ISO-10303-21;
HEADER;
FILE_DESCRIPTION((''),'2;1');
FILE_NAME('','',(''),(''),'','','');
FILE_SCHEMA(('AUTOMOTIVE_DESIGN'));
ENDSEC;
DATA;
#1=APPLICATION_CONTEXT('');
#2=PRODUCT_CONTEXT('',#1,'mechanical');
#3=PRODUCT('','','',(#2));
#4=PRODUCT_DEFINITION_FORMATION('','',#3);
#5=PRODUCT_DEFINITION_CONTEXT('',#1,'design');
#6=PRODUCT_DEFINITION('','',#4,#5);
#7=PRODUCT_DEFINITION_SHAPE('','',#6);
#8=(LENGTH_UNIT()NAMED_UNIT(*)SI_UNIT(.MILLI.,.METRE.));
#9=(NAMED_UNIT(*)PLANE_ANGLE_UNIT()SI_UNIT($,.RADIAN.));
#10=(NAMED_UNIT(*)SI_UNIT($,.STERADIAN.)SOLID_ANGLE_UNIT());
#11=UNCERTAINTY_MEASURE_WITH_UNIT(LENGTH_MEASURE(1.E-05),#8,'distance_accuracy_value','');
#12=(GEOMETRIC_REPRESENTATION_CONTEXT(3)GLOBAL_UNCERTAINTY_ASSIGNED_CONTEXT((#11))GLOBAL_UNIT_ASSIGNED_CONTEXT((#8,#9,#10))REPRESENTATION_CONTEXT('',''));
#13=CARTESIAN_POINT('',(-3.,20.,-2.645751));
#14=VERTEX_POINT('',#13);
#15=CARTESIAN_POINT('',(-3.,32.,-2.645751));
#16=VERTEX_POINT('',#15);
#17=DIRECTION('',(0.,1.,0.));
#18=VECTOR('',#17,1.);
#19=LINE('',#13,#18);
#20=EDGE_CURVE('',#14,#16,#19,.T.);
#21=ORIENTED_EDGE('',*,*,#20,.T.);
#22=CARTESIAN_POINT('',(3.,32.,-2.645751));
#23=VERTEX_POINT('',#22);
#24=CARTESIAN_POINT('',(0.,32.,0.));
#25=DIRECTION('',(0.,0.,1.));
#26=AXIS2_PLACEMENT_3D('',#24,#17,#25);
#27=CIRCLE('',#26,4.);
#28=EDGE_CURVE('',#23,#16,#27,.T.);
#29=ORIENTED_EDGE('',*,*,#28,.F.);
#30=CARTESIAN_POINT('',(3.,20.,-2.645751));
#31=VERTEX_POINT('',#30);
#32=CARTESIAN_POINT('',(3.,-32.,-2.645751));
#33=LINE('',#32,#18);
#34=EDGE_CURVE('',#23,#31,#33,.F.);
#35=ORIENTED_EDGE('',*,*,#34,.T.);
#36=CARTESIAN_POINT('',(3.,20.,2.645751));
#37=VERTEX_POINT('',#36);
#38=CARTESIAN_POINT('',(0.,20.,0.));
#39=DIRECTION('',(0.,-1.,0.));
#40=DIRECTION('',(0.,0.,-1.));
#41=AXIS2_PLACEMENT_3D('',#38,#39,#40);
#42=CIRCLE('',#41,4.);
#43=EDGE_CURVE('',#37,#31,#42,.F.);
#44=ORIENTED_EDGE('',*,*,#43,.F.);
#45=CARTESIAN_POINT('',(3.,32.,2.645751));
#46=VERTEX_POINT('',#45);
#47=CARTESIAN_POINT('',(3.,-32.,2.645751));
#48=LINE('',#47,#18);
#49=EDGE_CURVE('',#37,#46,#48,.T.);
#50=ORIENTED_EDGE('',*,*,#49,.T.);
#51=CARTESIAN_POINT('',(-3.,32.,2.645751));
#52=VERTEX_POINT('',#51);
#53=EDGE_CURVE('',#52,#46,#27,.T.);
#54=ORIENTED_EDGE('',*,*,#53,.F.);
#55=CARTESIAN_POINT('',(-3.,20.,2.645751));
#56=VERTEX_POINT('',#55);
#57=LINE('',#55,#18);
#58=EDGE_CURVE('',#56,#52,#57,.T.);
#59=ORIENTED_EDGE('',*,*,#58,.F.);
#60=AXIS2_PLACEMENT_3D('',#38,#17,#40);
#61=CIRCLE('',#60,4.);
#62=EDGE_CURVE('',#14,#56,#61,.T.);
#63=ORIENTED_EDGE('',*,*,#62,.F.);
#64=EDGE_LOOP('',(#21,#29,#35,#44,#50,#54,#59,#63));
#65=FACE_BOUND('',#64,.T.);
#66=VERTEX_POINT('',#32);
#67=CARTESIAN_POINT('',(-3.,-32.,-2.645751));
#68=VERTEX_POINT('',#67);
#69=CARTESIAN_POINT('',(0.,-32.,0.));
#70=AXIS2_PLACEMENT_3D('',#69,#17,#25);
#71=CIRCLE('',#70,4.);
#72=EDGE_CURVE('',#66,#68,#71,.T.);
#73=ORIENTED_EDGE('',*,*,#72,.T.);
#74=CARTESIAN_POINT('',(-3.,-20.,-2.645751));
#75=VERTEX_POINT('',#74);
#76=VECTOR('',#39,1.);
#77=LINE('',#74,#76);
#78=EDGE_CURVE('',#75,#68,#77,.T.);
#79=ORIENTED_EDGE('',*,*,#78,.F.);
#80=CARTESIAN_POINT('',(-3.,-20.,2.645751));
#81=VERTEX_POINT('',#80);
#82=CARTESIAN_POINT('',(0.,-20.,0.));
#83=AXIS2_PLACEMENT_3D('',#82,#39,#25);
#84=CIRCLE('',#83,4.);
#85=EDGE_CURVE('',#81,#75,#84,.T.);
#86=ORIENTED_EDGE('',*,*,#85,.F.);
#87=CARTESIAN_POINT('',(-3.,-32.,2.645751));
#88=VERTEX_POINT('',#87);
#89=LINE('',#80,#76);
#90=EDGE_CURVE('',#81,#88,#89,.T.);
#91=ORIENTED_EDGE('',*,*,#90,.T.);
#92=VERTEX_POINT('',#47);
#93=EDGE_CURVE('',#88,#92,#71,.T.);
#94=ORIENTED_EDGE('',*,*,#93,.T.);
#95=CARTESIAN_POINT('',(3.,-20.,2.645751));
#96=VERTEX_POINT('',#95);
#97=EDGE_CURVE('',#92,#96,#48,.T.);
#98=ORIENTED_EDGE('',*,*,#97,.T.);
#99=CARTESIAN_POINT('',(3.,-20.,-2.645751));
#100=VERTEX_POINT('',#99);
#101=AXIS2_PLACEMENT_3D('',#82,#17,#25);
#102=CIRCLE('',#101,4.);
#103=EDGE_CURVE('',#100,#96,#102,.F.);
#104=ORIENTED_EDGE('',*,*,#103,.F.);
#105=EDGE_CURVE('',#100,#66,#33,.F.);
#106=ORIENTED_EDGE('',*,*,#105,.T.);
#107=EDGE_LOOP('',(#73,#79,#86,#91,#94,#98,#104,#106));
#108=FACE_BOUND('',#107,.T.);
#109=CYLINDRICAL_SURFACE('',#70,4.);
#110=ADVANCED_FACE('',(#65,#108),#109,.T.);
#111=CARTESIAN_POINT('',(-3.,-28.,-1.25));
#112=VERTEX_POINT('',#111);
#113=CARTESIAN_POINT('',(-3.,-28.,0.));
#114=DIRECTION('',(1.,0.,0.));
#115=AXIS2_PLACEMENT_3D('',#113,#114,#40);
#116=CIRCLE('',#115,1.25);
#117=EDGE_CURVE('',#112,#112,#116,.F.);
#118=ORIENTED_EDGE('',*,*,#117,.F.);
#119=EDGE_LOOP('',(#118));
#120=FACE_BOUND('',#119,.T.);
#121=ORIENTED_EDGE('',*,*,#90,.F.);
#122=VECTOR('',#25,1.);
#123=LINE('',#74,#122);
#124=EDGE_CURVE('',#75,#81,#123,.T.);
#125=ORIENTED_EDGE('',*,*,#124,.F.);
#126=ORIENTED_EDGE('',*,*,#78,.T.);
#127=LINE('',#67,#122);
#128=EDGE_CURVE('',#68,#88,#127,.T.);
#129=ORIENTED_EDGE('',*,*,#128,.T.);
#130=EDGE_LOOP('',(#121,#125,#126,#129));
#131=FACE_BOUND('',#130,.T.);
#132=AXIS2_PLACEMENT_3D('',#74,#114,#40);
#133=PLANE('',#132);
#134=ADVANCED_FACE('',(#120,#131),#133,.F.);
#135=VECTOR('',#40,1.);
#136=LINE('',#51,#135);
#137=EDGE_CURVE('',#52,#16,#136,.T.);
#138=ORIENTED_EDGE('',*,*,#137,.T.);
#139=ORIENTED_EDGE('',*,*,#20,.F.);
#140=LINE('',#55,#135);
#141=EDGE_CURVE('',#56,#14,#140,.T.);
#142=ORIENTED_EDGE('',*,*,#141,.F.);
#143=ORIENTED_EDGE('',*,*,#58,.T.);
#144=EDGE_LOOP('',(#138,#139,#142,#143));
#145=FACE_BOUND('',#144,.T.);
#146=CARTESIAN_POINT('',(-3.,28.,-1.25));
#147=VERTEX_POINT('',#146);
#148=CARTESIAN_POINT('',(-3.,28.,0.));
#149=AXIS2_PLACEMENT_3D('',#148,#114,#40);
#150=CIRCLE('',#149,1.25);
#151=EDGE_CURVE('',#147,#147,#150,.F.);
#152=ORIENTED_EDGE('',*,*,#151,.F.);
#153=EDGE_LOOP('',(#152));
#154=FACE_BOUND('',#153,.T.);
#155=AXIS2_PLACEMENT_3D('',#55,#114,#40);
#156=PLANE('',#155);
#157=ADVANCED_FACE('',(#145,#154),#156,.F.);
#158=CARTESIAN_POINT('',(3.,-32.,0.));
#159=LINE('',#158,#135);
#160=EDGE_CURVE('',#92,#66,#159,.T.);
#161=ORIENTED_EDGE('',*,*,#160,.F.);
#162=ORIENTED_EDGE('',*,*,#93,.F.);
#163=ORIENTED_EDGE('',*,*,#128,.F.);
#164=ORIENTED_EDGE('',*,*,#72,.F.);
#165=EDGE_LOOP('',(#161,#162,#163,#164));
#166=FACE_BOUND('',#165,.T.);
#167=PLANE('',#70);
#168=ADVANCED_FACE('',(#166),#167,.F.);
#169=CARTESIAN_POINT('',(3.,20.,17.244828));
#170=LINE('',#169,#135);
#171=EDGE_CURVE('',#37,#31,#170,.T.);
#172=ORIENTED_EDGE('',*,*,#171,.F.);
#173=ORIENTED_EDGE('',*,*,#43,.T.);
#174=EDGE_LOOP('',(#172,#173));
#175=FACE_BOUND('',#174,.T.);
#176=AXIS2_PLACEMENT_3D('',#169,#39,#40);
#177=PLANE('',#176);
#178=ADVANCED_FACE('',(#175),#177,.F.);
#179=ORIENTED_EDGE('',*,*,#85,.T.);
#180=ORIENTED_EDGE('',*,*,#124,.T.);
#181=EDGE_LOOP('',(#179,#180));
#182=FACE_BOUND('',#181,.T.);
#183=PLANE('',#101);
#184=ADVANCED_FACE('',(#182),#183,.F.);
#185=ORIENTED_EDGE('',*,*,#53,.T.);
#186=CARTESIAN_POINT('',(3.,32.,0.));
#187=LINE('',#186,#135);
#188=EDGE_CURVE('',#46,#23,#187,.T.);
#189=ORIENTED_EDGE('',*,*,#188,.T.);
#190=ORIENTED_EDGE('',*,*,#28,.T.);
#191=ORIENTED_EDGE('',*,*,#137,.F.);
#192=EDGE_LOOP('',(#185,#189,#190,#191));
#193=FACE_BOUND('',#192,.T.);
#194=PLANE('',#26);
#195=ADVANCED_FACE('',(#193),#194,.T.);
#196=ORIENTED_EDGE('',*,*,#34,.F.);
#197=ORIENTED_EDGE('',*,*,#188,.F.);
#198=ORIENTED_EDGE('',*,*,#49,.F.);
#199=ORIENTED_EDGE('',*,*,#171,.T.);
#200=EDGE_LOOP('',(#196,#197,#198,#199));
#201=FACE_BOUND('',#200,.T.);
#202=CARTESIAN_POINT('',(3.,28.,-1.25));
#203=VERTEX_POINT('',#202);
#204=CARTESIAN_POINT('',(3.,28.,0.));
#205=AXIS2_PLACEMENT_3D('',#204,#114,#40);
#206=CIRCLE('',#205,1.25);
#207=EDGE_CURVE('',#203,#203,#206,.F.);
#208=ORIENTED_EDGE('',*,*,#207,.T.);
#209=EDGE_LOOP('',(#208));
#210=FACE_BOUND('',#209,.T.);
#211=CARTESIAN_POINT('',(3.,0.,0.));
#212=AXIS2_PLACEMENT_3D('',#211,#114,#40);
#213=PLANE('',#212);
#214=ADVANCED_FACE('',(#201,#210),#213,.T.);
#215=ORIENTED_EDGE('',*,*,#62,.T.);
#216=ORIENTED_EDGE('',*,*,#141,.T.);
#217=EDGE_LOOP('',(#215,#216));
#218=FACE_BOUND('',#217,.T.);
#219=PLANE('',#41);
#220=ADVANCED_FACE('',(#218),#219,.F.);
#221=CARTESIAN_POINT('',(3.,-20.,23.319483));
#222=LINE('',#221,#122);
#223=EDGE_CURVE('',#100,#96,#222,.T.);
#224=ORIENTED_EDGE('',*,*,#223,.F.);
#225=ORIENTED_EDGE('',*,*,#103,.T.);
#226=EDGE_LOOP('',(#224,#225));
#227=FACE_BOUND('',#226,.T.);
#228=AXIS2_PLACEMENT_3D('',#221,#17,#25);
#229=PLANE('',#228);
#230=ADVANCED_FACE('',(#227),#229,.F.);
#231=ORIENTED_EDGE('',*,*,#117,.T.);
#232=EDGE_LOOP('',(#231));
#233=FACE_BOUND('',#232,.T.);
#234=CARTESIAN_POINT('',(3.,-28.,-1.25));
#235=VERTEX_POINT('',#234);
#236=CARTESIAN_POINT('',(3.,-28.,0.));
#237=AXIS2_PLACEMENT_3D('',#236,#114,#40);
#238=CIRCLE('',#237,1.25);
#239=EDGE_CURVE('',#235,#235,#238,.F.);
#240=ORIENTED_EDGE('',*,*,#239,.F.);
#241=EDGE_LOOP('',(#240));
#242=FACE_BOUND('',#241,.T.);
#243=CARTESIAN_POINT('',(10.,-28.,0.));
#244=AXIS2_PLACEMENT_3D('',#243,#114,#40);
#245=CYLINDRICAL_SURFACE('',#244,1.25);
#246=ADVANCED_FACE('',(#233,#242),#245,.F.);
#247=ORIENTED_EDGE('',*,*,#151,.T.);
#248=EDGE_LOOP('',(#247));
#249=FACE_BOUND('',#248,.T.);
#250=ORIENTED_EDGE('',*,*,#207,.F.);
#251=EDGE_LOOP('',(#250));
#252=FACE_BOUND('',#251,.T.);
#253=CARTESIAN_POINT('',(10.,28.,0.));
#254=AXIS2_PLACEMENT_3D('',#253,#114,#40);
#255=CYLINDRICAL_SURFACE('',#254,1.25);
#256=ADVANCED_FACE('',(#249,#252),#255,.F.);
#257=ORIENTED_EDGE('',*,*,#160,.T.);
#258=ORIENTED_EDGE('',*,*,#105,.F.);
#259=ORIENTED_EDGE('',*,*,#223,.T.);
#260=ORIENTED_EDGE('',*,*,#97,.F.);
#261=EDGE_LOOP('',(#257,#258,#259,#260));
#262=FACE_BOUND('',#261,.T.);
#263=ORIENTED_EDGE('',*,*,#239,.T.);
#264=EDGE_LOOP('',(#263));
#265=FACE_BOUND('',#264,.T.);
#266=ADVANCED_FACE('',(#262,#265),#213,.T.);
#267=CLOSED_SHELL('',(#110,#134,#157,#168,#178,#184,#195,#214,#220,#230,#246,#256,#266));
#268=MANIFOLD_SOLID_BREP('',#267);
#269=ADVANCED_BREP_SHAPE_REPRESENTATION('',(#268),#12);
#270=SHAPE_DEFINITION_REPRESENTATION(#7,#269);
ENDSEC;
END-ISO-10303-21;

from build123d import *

# Parameters (mm, degrees)
EXTRUDE_1_DEPTH              = 32
EXTRUDE_1_DEPTH_BACK         = 32
SKETCH_1_R                   = 4
HOLE_WIZARD_M3_2_D           = 2.5
HOLE_WIZARD_M3_2_CSINK_D     = 3.05
HOLE_WIZARD_M3_2_CSINK_ANGLE = 90
SKETCH_18_W                  = 33.250745193
SKETCH_18_H                  = 19.055234746
SKETCH_18_W_2                = 46.103437085
SKETCH_18_H_2                = 35.552719861
CUT_EXTRUDE_1_DEPTH          = 7
CUT_EXTRUDE_2_DEPTH          = 12
CUT_EXTRUDE_START            = -12
CUT_EXTRUDE_3_DEPTH          = 12


with BuildPart() as part:
    # 草图1 → 凸台-拉伸1 (new, two sides: drawn at the far end of the back side and taken through both)
    with BuildSketch(Plane(origin=(0, 0, 0), x_dir=(1, 0, 0), z_dir=(0, 1, 0)).offset(-EXTRUDE_1_DEPTH_BACK)):
        Circle(SKETCH_1_R)
    extrude(amount=EXTRUDE_1_DEPTH + EXTRUDE_1_DEPTH_BACK)

    # M3 螺纹孔2 (through all)
    with Locations(Plane(origin=(10, 0, 0), x_dir=(0, 0, -1), z_dir=(1, 0, 0))):
        with Locations((0, 28), (0, -28)):
            CounterSinkHole(HOLE_WIZARD_M3_2_D / 2, HOLE_WIZARD_M3_2_CSINK_D / 2, counter_sink_angle=HOLE_WIZARD_M3_2_CSINK_ANGLE)

    # 草图18 → 切除-拉伸1 (cut)
    with BuildSketch(Plane(origin=(10, 0, 0), x_dir=(0, 0, -1), z_dir=(1, 0, 0))):
        with Locations((-0.619455311, 29.527617373)):
            Rectangle(SKETCH_18_W, SKETCH_18_H)
        with Locations((-0.267764737, -37.77635993)):
            Rectangle(SKETCH_18_W_2, SKETCH_18_H_2)
    extrude(amount=-CUT_EXTRUDE_1_DEPTH, mode=Mode.SUBTRACT)

    # 草图19 → 切除-拉伸2 (cut)
    with BuildSketch(Plane.XZ.offset(32)):
        with BuildLine():
            Line((3, -2.645751311), (3, 2.645751311))
            ThreePointArc((3, 2.645751311), (4, 0), (3, -2.645751311))
        make_face()
        with BuildLine():
            Line((-3, -2.645751311), (-3, 2.645751311))
            ThreePointArc((-3, 2.645751311), (-4, 0), (-3, -2.645751311))
        make_face()
    extrude(amount=-CUT_EXTRUDE_2_DEPTH, mode=Mode.SUBTRACT)

    # 草图20 → 切除-拉伸3 (cut)
    with BuildSketch(Plane(origin=(0, 32, 0), x_dir=(1, 0, 0), z_dir=(0, 1, 0)).offset(CUT_EXTRUDE_START)):
        with BuildLine():
            Line((3, -2.645751311), (3, 2.645751311))
            ThreePointArc((3, 2.645751311), (4, 0), (3, -2.645751311))
        make_face()
        with BuildLine():
            Line((-3, -2.645751311), (-3, 2.645751311))
            ThreePointArc((-3, 2.645751311), (-4, 0), (-3, -2.645751311))
        make_face()
    extrude(amount=CUT_EXTRUDE_3_DEPTH, mode=Mode.SUBTRACT)


solid = part.part
